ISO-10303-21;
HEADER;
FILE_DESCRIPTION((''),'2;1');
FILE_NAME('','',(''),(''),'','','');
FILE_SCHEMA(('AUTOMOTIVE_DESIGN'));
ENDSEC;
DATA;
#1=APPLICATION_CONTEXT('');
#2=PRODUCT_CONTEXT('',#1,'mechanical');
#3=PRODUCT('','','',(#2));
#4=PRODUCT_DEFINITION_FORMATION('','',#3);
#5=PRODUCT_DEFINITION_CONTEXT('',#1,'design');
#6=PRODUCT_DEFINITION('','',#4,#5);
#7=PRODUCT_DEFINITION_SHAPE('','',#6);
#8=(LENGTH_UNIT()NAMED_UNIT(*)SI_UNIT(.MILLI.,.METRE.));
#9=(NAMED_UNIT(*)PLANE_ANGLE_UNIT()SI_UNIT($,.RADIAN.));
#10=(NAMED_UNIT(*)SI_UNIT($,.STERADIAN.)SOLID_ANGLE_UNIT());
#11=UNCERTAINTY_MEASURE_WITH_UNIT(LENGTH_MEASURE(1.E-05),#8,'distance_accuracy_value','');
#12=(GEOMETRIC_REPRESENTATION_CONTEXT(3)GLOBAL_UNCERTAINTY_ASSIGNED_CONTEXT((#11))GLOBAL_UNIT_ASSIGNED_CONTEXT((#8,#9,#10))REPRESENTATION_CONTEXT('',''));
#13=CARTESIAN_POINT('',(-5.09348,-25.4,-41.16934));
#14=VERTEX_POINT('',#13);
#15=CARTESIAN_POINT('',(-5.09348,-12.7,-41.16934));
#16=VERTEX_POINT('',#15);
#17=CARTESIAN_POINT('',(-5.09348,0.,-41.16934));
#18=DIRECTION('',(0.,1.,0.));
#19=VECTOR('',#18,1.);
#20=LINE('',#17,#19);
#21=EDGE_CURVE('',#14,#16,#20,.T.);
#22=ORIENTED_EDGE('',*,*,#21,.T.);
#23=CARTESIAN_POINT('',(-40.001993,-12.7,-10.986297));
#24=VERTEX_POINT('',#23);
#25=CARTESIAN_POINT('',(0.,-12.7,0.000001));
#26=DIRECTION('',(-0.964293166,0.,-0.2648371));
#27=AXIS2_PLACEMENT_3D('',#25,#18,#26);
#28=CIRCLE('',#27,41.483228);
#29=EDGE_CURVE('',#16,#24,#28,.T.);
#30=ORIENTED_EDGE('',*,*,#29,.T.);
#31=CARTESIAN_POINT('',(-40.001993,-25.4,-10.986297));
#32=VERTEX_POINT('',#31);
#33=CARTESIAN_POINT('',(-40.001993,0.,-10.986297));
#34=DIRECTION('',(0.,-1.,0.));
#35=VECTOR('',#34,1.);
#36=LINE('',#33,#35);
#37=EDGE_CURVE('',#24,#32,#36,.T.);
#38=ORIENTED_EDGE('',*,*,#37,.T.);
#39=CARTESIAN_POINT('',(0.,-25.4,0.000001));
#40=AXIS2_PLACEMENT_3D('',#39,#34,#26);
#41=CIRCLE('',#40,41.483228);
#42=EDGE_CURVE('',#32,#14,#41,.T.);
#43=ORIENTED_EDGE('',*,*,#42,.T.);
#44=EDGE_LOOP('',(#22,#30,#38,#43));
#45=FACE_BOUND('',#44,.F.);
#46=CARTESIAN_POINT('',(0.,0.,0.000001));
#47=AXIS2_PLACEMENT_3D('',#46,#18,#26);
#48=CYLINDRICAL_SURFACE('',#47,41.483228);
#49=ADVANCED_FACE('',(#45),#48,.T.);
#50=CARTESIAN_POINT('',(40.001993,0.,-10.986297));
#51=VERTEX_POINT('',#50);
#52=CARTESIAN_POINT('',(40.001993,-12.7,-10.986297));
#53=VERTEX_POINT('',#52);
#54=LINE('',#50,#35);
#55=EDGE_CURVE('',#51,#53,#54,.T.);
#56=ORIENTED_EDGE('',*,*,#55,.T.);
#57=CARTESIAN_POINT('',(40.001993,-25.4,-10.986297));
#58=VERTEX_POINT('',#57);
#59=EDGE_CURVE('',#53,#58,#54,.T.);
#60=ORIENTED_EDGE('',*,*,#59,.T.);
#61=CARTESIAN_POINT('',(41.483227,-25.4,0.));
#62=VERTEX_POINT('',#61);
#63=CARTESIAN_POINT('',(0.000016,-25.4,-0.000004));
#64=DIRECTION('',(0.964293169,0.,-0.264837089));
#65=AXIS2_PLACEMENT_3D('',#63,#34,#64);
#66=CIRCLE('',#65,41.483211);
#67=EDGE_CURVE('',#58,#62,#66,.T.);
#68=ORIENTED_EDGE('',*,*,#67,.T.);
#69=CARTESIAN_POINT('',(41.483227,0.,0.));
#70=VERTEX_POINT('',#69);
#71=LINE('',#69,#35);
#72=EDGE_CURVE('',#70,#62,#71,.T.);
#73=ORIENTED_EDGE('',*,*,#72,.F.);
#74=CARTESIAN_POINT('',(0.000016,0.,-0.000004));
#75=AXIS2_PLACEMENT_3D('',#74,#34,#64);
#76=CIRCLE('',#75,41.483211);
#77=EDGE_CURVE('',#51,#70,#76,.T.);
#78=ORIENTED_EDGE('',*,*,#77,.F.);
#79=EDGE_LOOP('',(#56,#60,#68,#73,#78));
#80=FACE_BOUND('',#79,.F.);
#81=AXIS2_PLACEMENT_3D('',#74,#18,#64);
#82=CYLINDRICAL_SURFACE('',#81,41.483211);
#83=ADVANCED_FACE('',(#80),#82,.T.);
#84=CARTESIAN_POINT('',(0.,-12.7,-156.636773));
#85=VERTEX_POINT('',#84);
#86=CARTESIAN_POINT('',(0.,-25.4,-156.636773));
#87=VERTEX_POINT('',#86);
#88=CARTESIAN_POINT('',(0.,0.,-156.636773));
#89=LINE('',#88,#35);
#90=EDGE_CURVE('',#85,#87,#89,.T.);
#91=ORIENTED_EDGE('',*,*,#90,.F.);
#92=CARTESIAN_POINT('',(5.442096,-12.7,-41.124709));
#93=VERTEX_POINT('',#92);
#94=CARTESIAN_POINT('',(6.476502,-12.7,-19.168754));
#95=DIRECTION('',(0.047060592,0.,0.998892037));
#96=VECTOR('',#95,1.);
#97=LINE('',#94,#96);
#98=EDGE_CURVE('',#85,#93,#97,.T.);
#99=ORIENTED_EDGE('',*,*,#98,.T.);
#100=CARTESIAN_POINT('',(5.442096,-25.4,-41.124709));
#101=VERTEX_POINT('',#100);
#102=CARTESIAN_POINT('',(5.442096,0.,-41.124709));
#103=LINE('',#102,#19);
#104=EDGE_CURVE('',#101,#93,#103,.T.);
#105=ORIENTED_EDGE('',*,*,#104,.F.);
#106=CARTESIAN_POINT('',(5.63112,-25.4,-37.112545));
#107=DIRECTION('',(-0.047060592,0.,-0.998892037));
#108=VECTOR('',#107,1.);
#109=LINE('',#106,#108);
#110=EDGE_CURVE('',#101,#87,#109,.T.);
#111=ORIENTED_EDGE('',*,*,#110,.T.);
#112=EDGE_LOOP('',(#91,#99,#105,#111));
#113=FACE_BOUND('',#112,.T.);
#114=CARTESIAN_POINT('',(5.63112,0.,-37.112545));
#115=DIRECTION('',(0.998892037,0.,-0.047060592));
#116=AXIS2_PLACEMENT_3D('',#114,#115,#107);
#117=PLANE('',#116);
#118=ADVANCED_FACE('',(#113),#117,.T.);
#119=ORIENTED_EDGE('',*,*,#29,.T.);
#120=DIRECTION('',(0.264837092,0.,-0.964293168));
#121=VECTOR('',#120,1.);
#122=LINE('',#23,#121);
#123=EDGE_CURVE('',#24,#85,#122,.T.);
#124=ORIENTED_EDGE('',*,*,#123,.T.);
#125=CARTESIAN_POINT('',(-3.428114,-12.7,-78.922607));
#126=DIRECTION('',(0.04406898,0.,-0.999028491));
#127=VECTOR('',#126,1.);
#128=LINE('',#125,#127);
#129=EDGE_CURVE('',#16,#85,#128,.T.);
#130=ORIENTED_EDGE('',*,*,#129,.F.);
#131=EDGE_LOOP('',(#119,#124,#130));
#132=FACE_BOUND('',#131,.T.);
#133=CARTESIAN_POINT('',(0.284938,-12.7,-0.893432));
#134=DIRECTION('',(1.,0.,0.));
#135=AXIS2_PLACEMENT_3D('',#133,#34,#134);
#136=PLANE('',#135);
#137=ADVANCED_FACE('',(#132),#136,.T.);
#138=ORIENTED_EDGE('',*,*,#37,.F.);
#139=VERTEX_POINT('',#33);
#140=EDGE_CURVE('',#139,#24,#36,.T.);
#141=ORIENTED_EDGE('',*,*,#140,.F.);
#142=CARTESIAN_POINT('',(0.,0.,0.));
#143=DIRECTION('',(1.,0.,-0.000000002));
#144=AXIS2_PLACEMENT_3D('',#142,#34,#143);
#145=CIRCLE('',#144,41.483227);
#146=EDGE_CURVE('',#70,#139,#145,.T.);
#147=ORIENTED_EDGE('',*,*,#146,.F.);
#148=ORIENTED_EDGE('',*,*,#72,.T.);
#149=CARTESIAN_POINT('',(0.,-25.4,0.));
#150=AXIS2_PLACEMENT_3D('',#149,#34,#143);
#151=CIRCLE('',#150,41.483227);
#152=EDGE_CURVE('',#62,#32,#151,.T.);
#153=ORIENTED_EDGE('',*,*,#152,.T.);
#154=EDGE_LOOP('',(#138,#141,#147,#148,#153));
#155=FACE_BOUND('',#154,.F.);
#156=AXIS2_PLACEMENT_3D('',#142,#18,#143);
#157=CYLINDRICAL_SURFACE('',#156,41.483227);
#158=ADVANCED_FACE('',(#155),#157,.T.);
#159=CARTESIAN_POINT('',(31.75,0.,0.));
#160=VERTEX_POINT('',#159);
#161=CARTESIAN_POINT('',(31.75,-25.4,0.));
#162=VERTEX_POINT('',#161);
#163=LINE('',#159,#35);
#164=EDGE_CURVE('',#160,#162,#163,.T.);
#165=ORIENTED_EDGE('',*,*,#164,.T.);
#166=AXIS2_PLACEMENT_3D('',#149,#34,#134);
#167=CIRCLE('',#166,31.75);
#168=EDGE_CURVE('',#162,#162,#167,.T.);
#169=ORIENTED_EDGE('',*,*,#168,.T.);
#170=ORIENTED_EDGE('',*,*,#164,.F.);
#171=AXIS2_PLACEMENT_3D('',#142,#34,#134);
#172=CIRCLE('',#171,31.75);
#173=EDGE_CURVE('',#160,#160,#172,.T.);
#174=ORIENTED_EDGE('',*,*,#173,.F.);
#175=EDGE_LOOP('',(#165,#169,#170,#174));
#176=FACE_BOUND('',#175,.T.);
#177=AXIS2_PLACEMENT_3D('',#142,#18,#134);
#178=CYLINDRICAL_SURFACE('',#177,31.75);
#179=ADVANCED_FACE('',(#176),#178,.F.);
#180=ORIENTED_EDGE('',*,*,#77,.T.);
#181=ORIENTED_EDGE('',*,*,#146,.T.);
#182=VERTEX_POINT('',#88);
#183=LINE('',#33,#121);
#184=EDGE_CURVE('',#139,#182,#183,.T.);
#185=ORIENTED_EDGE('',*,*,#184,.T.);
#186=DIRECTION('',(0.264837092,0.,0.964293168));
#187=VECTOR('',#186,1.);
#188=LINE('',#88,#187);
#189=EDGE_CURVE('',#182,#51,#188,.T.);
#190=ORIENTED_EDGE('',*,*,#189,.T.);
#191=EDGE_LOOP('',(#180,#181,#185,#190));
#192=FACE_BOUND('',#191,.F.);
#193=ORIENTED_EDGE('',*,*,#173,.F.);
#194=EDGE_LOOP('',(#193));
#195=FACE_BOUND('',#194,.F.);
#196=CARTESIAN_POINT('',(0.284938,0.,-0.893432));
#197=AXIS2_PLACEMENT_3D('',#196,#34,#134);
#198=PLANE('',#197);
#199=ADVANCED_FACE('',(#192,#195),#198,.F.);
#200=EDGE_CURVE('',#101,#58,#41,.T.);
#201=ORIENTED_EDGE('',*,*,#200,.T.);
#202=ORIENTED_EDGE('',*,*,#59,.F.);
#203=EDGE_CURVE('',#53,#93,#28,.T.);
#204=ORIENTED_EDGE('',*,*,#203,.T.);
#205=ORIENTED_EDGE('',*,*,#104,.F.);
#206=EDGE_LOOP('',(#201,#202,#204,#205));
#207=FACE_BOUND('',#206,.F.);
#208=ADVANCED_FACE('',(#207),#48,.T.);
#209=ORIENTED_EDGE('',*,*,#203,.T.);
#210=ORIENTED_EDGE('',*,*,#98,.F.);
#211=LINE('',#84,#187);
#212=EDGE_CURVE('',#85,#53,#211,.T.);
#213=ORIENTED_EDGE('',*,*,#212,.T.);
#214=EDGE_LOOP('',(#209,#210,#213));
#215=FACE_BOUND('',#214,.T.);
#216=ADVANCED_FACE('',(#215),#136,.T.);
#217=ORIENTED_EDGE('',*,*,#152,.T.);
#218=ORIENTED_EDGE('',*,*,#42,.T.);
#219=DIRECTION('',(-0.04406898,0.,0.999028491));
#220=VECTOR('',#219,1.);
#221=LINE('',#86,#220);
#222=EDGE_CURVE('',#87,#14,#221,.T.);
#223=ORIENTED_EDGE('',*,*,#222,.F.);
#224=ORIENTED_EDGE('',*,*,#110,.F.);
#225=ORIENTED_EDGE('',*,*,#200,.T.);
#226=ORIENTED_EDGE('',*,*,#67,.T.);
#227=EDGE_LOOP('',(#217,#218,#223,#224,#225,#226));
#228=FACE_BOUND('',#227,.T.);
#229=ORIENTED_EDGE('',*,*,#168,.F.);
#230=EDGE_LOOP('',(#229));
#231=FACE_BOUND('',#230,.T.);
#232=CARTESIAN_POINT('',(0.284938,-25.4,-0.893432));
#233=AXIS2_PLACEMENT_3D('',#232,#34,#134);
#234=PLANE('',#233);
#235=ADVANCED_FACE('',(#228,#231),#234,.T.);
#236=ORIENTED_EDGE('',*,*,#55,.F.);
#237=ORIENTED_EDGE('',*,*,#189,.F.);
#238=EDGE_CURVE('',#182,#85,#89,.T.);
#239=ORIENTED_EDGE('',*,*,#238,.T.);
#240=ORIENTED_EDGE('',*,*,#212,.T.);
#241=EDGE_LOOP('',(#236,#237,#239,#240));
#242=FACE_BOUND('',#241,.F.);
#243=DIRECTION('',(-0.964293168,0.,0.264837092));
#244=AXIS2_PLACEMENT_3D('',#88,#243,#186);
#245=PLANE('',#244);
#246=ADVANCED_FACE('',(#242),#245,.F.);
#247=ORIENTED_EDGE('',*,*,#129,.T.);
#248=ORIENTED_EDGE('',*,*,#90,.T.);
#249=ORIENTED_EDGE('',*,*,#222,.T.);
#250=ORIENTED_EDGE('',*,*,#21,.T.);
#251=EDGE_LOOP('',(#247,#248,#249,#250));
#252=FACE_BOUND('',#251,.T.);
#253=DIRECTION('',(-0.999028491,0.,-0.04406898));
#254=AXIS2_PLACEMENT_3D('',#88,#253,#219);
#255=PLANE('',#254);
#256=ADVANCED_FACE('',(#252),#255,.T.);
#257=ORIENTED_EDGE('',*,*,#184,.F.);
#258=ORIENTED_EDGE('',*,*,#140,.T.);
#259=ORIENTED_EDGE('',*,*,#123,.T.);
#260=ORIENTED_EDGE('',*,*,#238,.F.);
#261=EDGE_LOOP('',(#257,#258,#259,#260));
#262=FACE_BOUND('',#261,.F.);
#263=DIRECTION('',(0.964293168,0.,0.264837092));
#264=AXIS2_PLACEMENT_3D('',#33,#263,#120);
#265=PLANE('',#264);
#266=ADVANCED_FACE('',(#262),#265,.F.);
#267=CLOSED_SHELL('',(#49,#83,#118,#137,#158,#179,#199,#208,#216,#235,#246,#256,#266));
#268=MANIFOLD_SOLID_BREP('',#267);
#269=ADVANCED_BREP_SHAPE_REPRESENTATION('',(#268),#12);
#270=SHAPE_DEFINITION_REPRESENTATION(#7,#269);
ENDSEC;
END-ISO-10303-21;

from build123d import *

# Parameters (mm, degrees)
F0_R     = 31.75
F1_DEPTH = 25.4
F2_DEPTH = 12.7
F4_DEPTH = 25.4


with BuildPart() as f1:
    # F0 (on Front) → F1 (new body)
    with BuildSketch(Plane.XZ):
        with BuildLine():
            ThreePointArc((40.001993, -10.986297), (41.111251, -5.542851), (41.483227, 0))
            ThreePointArc((41.483227, 0), (-5.542851, 41.111251), (-40.001993, -10.986297))
            ThreePointArc((-40.001993, -10.986297), (0, -41.483227), (40.001993, -10.986297))
        make_face()
        Circle(F0_R, mode=Mode.SUBTRACT)
    extrude(amount=F1_DEPTH)

    # F0 (on Front) → F2 (join)
    with BuildSketch(Plane.XZ):
        with BuildLine():
            ThreePointArc((40.001993, -10.986297), (41.111251, -5.542851), (41.483227, 0))
            ThreePointArc((41.483227, 0), (-5.542851, 41.111251), (-40.001993, -10.986297))
            ThreePointArc((-40.001993, -10.986297), (0, -41.483227), (40.001993, -10.986297))
        make_face()
        Circle(F0_R, mode=Mode.SUBTRACT)
        with BuildLine():
            ThreePointArc((40.001993, -10.986297), (0, -41.483227), (-40.001993, -10.986297))
            Line((-40.001993, -10.986297), (0, -156.636773))
            Line((0, -156.636773), (40.001993, -10.986297))
        make_face()
    extrude(amount=F2_DEPTH)

    # F3 (on face) → F4 (join)
    with BuildSketch(Plane(origin=(0, 0, 0), x_dir=(-1, 0, 0), z_dir=(0, 1, 0))):
        Polygon((5.272433, -37.112545), (-5.63112, -37.112545), (0, -156.636773), align=None)
    extrude(amount=-F4_DEPTH)


solid = f1.part
